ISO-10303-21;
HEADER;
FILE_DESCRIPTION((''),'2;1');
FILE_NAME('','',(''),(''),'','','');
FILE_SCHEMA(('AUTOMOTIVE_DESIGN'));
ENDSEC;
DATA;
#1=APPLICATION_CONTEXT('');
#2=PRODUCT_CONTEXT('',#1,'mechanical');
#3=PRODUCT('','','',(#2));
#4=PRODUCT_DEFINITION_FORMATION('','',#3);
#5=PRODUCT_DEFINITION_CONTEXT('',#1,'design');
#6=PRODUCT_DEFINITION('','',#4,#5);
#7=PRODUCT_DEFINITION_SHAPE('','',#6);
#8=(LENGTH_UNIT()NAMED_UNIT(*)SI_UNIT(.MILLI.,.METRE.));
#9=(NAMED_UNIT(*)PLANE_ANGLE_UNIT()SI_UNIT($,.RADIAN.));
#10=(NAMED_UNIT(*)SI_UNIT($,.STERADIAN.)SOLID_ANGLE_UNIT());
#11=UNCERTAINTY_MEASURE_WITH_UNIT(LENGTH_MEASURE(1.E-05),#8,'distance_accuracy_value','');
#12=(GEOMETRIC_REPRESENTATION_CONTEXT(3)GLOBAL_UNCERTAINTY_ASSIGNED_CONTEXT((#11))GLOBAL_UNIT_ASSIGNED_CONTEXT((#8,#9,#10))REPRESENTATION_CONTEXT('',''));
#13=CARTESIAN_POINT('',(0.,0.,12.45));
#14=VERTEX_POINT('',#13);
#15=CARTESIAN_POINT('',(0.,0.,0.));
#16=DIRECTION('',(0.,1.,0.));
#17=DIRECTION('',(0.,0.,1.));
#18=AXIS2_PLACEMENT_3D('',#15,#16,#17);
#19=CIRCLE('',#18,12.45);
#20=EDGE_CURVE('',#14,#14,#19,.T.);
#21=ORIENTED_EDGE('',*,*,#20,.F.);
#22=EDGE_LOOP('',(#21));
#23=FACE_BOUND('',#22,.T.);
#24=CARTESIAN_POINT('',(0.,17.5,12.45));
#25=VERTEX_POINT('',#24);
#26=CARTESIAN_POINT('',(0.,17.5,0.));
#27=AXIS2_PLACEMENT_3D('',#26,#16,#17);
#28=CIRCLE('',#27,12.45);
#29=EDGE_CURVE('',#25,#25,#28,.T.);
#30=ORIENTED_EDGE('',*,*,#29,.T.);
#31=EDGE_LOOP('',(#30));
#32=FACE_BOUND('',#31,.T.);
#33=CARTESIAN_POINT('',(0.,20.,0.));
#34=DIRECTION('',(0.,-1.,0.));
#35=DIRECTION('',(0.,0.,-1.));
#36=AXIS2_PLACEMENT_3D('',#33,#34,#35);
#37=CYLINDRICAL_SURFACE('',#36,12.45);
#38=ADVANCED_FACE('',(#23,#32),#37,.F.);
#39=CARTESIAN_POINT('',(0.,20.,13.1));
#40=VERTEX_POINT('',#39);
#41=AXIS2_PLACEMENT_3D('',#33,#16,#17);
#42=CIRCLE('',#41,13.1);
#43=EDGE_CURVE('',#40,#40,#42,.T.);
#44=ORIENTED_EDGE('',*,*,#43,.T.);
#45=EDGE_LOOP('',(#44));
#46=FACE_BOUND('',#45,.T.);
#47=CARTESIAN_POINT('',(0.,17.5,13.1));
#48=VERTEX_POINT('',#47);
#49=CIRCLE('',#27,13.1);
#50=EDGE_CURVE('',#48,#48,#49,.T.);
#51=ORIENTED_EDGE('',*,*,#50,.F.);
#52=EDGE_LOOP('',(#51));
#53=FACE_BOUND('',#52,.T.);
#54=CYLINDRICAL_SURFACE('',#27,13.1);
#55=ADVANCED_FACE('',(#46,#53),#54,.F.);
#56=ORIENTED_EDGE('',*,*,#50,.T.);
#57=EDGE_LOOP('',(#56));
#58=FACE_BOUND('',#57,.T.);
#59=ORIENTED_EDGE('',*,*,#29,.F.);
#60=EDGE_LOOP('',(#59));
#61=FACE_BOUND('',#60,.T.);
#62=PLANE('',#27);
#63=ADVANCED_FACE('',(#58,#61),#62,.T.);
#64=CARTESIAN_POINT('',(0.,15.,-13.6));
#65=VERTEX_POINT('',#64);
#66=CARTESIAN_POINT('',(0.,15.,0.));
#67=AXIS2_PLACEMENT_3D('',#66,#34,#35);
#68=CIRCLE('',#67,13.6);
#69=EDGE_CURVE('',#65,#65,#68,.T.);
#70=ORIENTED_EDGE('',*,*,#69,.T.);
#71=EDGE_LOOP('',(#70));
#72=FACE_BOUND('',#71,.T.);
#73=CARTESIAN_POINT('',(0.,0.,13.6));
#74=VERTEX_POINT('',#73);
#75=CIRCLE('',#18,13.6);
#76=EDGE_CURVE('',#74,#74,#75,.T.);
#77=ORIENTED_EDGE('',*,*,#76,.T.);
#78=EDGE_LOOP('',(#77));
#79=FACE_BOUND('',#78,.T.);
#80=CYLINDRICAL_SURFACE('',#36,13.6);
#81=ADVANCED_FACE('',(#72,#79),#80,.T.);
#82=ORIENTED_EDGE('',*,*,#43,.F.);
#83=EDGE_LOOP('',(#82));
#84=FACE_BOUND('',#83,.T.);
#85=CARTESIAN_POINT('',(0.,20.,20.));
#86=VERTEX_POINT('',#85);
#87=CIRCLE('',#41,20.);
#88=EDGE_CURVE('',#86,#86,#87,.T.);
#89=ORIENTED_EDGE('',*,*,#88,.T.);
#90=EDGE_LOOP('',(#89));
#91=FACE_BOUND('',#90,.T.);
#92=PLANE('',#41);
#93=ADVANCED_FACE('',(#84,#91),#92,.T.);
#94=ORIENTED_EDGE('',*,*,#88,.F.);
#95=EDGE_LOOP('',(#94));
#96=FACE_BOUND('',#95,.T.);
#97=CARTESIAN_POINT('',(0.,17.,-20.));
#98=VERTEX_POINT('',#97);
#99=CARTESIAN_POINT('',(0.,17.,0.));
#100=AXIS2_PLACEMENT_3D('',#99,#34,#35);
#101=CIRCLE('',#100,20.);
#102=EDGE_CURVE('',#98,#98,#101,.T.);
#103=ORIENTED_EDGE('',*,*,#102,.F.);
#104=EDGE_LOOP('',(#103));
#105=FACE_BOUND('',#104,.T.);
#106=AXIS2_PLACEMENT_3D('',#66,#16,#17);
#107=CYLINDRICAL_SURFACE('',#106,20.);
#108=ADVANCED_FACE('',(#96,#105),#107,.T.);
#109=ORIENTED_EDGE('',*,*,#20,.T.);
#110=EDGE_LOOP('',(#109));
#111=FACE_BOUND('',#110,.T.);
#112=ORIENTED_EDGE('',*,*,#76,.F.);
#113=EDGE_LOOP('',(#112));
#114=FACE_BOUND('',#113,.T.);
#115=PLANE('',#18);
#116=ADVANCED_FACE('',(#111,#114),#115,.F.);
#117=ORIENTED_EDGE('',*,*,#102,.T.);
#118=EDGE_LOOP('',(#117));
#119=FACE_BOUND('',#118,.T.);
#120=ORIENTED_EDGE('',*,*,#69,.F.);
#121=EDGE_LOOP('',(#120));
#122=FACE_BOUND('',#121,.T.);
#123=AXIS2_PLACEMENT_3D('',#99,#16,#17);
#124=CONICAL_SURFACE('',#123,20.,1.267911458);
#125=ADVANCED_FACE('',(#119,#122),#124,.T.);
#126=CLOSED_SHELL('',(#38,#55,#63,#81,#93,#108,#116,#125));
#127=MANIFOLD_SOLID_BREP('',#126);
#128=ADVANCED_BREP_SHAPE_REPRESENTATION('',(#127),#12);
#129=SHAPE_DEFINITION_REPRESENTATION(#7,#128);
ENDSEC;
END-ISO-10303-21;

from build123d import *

# Parameters (mm, degrees)
SKETCH_1_R          = 13.6
SKETCH_1_R_2        = 12.45
EXTRUDE_1_DEPTH     = 20
SKETCH_2_R          = 20
EXTRUDE_2_DEPTH     = 5
SKETCH_3_R          = 13.1
CUT_EXTRUDE_1_DEPTH = 2.5
SKETCH_4_R          = 12.45
CUT_EXTRUDE_2_DEPTH = 10


with BuildPart() as part:
    # 草图1 → 凸台-拉伸1 (new body)
    with BuildSketch(Plane(origin=(0, 0, 0), x_dir=(1, 0, 0), z_dir=(0, 1, 0))):
        with Locations(Location((0, 0, 0), (0, 0, 270))):
            Circle(SKETCH_1_R)
        with Locations(Location((0, 0, 0), (0, 0, 270))):
            Circle(SKETCH_1_R_2, mode=Mode.SUBTRACT)
    extrude(amount=EXTRUDE_1_DEPTH)

    # 草图2 → 凸台-拉伸2 (add)
    with BuildSketch(Plane(origin=(0, 20, 0), x_dir=(1, 0, 0), z_dir=(0, 1, 0))):
        with Locations(Location((0, 0, 0), (0, 0, 270))):
            Circle(SKETCH_2_R)
    extrude(amount=-EXTRUDE_2_DEPTH)

    # 草图3 → 切除-拉伸1 (cut)
    with BuildSketch(Plane(origin=(0, 20, 0), x_dir=(1, 0, 0), z_dir=(0, 1, 0))):
        with Locations(Location((0, 0, 0), (0, 0, 270))):
            Circle(SKETCH_3_R)
    extrude(amount=-CUT_EXTRUDE_1_DEPTH, mode=Mode.SUBTRACT)

    # 草图4 → 切除-拉伸2 (cut)
    with BuildSketch(Plane.XZ.offset(-15)):
        with Locations(Location((0, 0, 0), (0, 0, 90))):
            Circle(SKETCH_4_R)
    extrude(amount=-CUT_EXTRUDE_2_DEPTH, mode=Mode.SUBTRACT)

    # 草图5 → 切除-旋转2 (revolve, cut)
    with BuildSketch(Plane(origin=(0, 0, 0), x_dir=(0, 0, -1), z_dir=(1, 0, 0))):
        Polygon((20, 17), (13.6, 15), (20, 15), align=None)
    revolve(axis=Axis((0, 0, 0), (0, 1, 0)), mode=Mode.SUBTRACT)


solid = part.part
